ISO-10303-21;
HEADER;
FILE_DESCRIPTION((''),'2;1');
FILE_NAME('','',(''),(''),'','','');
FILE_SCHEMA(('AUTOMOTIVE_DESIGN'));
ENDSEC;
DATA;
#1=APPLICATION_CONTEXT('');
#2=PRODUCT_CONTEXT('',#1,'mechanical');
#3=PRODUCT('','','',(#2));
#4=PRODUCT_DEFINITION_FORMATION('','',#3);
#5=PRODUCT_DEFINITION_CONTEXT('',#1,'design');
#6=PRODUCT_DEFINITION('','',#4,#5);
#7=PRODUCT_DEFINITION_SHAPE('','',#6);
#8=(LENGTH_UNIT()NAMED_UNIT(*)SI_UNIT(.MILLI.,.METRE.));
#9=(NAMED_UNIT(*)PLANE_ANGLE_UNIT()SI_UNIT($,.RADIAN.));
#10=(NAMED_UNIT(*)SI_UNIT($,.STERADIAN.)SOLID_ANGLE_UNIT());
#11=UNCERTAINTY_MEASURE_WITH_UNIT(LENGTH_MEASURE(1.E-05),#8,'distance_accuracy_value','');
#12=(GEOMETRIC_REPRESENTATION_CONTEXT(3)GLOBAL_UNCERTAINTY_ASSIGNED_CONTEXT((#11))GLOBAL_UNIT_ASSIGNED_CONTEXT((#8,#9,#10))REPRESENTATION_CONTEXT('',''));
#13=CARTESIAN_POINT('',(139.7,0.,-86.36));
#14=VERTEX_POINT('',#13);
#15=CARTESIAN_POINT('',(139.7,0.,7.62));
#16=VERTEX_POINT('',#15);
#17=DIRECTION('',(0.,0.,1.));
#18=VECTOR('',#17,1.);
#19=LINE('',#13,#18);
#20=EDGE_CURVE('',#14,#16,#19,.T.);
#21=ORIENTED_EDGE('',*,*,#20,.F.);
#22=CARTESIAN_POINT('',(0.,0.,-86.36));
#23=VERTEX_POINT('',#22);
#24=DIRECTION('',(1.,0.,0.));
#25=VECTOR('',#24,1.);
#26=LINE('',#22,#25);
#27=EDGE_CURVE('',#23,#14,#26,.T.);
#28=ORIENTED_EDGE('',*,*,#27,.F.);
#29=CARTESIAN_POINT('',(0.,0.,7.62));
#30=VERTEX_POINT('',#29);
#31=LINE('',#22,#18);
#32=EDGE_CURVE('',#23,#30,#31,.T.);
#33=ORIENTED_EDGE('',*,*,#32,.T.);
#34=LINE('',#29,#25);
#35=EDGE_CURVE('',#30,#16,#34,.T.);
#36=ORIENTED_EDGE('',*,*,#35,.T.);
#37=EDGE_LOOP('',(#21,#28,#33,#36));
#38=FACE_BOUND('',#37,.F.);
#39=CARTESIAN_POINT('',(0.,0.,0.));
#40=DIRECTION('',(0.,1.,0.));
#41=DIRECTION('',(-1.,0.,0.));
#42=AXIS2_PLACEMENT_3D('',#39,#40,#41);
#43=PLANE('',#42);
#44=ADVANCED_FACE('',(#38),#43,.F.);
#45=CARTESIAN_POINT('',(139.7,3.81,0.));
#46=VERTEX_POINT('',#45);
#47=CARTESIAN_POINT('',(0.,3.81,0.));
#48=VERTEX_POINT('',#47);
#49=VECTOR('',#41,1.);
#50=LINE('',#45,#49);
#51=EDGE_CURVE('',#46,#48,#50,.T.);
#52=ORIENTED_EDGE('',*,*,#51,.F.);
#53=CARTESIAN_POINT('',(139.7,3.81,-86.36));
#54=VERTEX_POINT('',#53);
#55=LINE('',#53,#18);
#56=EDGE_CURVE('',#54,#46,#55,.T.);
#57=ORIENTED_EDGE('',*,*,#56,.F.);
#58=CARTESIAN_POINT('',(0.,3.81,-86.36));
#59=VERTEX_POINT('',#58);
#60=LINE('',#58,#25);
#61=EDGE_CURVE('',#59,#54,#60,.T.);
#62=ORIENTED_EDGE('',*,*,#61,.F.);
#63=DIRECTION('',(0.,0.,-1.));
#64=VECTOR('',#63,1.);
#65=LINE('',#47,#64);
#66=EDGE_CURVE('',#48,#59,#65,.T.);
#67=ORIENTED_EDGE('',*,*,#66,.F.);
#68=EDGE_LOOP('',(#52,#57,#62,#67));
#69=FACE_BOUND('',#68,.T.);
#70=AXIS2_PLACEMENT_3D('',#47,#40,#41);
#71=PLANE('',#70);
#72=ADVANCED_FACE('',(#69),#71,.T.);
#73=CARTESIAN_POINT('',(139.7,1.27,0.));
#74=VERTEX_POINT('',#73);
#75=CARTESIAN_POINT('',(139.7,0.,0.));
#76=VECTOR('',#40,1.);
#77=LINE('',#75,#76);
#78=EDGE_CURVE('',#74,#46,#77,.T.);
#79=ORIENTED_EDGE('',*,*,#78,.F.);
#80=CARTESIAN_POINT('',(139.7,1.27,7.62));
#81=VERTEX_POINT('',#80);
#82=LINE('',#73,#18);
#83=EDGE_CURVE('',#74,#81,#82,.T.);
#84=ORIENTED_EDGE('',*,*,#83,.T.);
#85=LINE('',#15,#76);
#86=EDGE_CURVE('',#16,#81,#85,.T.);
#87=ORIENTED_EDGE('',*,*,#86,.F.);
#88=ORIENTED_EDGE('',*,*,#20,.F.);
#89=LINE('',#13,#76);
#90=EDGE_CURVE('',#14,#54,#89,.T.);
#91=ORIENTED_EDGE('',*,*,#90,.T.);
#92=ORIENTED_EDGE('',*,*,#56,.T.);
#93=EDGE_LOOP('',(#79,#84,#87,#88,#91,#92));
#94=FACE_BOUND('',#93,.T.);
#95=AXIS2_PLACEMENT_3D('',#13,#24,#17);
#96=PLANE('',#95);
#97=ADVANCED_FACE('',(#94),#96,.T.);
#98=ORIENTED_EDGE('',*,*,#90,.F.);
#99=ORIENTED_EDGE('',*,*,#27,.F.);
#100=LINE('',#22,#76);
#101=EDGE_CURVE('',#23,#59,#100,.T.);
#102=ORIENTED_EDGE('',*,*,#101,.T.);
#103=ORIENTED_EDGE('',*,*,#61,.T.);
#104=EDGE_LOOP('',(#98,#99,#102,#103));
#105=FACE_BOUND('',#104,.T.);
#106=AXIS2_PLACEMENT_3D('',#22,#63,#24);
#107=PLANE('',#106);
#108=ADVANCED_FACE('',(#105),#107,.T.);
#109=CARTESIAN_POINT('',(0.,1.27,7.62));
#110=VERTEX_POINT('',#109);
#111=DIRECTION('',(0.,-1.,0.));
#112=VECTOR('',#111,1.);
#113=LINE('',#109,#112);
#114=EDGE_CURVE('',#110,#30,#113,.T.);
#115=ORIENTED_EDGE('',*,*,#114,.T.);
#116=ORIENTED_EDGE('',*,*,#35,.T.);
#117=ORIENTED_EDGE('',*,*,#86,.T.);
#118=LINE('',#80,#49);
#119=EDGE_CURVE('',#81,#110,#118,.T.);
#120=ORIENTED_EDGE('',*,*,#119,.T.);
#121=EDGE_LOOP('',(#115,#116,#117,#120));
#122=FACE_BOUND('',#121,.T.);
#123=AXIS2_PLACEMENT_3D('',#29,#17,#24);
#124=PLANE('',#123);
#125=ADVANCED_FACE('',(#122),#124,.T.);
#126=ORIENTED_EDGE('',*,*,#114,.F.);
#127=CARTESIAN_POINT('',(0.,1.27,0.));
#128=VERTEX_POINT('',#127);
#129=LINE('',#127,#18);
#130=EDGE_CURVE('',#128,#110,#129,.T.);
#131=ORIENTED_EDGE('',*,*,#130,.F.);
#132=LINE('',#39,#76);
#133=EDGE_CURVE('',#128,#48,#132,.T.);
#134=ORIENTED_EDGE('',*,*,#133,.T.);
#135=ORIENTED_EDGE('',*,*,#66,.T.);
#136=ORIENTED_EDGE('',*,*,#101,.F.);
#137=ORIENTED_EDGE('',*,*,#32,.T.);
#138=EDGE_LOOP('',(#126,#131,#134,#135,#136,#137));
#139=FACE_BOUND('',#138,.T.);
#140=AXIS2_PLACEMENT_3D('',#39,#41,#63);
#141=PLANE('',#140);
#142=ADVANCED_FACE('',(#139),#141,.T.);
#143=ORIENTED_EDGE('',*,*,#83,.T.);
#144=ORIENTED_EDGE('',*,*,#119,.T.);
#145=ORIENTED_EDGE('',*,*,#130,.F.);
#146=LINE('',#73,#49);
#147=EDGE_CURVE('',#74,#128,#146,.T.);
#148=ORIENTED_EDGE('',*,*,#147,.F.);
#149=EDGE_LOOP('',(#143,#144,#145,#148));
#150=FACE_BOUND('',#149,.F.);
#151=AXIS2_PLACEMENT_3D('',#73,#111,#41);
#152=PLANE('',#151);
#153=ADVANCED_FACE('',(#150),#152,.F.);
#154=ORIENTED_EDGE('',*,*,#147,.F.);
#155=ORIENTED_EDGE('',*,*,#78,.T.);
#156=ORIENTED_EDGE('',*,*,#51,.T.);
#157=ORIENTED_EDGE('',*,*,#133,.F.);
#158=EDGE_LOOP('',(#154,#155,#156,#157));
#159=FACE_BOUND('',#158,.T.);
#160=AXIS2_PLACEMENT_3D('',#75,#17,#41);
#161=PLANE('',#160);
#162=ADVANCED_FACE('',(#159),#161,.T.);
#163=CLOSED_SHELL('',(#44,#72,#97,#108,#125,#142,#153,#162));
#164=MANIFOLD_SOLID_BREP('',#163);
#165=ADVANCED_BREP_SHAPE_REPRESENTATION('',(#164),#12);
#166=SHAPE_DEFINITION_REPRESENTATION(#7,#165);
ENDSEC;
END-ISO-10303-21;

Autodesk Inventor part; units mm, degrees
ref_plane "YZ Plane" through (0, 0, 0) normal (1, 0, 0) x (0, 1, 0)
ref_plane "XZ Plane" through (0, 0, 0) normal (0, 1, 0) x (-1, 0, 0)
ref_plane "XY Plane" through (0, 0, 0) normal (0, 0, 1) x (1, 0, 0)
sketch "Sketch1" plane through (0, 0, 0) normal (0, 1, 0) x (-1, 0, 0)
  line L0 (0, 0) -> (0, -86.36)
  line L1 (0, -86.36) -> (-139.7, -86.36)
  line L2 (-139.7, -86.36) -> (-139.7, 0)
  line L3 (-139.7, 0) -> (0, 0)
  line L4 (0, 0) -> (86.36, 0) construction
  dimension "d0" = 86.36
  dimension "d1" = 90
  dimension "d2" = 139.7
extrude "Extrusion1" add sketch "Sketch1" along normal blind 3.81
sketch "Sketch2" plane through (0, 0, 0) normal (0, 0, 1) x (1, 0, 0)
  line L0 (0, 0) -> (139.7, 0) projected
  line L1 (0, 0) -> (139.7, 0)
  line L2 (139.7, 0) -> (139.7, 1.27)
  line L3 (139.7, 1.27) -> (0, 1.27)
  line L4 (0, 1.27) -> (0, 0)
  dimension "d5" = 1.27
extrude "Extrusion2" add sketch "Sketch2" along normal blind 7.62
properties part number "False_Bottom_4"
